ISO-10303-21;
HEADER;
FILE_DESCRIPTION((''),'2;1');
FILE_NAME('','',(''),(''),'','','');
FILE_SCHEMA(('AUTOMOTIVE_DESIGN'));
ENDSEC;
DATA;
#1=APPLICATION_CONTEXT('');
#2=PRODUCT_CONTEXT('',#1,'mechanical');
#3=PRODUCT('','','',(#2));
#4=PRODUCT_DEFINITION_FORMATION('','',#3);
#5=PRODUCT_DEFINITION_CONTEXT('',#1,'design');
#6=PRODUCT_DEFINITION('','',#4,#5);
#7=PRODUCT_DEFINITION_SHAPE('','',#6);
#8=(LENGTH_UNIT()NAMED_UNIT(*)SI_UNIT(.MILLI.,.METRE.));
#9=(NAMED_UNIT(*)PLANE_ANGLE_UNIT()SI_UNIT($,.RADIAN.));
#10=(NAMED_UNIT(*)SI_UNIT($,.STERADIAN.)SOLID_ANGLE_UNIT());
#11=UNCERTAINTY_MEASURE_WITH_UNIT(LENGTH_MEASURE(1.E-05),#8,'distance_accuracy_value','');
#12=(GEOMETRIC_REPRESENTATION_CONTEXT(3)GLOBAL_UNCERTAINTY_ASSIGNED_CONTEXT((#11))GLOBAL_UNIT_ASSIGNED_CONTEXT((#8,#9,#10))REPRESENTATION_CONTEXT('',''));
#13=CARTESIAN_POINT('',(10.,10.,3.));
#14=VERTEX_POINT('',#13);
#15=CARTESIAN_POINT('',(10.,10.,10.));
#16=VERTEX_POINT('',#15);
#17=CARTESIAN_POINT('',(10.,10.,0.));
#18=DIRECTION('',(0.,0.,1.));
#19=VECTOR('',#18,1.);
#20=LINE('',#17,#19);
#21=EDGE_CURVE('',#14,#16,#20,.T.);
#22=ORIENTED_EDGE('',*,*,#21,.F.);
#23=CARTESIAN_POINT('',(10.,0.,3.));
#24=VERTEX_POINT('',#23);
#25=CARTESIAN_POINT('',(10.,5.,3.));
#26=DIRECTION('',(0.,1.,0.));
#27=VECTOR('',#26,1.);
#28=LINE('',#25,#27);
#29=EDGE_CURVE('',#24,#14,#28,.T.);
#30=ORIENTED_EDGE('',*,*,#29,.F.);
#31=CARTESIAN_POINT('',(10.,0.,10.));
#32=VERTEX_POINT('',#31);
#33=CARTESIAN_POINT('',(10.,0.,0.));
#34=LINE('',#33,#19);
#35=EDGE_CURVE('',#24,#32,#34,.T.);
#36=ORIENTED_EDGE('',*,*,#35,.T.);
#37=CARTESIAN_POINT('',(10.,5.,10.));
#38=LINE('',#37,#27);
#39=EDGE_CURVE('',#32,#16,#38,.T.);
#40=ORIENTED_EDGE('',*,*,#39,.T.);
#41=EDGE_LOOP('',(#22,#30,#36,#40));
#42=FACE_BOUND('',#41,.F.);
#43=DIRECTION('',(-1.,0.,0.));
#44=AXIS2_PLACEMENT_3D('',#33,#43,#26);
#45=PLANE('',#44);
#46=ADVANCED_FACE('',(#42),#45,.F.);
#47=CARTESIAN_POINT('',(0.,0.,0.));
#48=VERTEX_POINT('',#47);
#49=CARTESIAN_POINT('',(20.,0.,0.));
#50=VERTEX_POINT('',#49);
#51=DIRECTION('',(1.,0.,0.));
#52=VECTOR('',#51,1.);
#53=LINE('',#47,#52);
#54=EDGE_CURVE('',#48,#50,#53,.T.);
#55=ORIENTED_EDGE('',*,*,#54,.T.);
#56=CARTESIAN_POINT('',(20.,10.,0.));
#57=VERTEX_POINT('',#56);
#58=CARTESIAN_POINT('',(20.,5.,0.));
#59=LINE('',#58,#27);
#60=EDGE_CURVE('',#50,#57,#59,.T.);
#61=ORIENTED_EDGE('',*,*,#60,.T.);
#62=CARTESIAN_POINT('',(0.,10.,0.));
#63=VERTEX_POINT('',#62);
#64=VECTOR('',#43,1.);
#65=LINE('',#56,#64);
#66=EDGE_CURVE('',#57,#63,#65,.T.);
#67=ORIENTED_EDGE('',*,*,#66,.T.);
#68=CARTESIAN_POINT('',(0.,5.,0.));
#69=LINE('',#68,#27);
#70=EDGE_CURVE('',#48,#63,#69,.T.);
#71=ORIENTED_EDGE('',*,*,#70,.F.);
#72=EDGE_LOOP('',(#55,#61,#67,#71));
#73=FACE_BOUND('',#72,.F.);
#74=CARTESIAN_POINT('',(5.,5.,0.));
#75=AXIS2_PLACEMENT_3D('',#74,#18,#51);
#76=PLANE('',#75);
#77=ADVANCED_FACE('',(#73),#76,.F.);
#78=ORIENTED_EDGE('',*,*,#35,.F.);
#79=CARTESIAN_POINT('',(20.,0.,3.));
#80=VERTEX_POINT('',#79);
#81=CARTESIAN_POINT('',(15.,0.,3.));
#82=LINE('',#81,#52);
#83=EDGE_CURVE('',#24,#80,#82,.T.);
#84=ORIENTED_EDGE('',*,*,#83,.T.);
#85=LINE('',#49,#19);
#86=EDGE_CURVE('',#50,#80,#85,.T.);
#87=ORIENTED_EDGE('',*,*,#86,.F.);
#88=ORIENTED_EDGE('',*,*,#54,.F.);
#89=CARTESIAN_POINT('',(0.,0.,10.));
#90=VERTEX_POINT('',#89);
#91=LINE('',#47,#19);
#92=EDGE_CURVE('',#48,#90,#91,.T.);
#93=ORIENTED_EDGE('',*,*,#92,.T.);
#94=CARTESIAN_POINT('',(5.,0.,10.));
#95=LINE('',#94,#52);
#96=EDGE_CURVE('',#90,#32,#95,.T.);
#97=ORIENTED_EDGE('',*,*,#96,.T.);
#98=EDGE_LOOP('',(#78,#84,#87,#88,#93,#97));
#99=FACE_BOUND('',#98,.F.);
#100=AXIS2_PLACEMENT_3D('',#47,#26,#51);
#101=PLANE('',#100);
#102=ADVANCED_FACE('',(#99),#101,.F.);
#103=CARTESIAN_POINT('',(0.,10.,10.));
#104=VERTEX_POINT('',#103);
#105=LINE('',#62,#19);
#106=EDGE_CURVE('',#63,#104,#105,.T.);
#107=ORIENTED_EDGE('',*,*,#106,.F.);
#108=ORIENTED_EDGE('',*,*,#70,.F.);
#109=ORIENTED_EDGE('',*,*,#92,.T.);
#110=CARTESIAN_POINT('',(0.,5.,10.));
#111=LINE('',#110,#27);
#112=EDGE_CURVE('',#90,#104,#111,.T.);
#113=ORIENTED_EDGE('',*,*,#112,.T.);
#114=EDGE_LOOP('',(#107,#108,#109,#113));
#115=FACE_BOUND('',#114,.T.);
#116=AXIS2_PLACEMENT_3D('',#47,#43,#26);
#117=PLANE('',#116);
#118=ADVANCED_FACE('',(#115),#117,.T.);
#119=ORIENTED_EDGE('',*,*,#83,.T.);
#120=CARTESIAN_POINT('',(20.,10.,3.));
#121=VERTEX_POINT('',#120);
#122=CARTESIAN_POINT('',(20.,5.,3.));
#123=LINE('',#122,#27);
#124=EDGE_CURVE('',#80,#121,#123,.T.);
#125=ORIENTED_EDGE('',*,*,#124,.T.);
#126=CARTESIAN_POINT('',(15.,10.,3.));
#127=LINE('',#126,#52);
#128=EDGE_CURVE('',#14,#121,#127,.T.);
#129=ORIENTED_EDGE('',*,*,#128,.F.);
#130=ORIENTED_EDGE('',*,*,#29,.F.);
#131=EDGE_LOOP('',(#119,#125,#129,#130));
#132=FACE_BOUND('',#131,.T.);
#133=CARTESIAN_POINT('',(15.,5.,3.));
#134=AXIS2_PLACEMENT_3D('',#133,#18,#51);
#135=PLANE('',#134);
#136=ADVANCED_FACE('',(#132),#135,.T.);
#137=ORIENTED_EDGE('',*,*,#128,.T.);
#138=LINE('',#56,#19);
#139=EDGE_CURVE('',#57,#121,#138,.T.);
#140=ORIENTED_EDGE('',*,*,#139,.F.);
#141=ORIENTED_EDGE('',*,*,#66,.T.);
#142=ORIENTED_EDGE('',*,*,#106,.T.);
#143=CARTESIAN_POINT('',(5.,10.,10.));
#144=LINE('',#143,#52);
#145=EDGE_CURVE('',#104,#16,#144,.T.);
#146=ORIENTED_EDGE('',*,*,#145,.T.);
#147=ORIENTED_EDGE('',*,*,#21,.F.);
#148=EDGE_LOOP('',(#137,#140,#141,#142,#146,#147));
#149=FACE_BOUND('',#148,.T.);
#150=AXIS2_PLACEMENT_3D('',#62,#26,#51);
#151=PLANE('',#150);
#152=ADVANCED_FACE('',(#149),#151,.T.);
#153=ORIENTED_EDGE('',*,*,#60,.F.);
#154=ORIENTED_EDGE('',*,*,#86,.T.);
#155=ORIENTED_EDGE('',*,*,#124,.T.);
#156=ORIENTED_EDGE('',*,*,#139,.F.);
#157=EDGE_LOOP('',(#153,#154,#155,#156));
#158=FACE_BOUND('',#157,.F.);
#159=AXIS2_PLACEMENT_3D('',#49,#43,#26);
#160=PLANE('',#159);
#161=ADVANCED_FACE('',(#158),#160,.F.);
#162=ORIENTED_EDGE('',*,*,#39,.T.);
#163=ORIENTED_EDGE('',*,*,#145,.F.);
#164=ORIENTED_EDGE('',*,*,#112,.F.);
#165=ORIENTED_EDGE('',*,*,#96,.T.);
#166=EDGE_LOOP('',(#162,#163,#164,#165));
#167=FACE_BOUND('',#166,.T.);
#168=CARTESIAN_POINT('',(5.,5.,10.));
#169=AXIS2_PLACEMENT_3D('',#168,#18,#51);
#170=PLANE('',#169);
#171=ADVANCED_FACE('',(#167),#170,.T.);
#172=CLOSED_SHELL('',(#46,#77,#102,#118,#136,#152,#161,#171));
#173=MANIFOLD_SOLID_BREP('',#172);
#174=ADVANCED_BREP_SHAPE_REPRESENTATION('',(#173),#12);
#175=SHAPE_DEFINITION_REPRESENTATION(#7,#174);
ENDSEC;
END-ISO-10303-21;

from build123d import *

# Parameters (mm, degrees)
BOX_W        = 10
BOX_H        = 10
BOX_DEPTH    = 10
BOX001_W     = 10
BOX001_H     = 10
BOX001_DEPTH = 3


with BuildPart() as cube:
    # Box → Box (new body)
    with BuildSketch(Plane.XY):
        with Locations((5, 5)):
            Rectangle(BOX_W, BOX_H)
    extrude(amount=BOX_DEPTH)


with BuildPart() as fusion:
    # Box001 → Box001 (new body)
    with BuildSketch(Plane(origin=(10, 0, 0), x_dir=(1, 0, 0), z_dir=(0, 0, 1))):
        with Locations((5, 5)):
            Rectangle(BOX001_W, BOX001_H)
    extrude(amount=BOX001_DEPTH)

    # Fusion: union Cube
    add(cube.part)


solid = fusion.part
